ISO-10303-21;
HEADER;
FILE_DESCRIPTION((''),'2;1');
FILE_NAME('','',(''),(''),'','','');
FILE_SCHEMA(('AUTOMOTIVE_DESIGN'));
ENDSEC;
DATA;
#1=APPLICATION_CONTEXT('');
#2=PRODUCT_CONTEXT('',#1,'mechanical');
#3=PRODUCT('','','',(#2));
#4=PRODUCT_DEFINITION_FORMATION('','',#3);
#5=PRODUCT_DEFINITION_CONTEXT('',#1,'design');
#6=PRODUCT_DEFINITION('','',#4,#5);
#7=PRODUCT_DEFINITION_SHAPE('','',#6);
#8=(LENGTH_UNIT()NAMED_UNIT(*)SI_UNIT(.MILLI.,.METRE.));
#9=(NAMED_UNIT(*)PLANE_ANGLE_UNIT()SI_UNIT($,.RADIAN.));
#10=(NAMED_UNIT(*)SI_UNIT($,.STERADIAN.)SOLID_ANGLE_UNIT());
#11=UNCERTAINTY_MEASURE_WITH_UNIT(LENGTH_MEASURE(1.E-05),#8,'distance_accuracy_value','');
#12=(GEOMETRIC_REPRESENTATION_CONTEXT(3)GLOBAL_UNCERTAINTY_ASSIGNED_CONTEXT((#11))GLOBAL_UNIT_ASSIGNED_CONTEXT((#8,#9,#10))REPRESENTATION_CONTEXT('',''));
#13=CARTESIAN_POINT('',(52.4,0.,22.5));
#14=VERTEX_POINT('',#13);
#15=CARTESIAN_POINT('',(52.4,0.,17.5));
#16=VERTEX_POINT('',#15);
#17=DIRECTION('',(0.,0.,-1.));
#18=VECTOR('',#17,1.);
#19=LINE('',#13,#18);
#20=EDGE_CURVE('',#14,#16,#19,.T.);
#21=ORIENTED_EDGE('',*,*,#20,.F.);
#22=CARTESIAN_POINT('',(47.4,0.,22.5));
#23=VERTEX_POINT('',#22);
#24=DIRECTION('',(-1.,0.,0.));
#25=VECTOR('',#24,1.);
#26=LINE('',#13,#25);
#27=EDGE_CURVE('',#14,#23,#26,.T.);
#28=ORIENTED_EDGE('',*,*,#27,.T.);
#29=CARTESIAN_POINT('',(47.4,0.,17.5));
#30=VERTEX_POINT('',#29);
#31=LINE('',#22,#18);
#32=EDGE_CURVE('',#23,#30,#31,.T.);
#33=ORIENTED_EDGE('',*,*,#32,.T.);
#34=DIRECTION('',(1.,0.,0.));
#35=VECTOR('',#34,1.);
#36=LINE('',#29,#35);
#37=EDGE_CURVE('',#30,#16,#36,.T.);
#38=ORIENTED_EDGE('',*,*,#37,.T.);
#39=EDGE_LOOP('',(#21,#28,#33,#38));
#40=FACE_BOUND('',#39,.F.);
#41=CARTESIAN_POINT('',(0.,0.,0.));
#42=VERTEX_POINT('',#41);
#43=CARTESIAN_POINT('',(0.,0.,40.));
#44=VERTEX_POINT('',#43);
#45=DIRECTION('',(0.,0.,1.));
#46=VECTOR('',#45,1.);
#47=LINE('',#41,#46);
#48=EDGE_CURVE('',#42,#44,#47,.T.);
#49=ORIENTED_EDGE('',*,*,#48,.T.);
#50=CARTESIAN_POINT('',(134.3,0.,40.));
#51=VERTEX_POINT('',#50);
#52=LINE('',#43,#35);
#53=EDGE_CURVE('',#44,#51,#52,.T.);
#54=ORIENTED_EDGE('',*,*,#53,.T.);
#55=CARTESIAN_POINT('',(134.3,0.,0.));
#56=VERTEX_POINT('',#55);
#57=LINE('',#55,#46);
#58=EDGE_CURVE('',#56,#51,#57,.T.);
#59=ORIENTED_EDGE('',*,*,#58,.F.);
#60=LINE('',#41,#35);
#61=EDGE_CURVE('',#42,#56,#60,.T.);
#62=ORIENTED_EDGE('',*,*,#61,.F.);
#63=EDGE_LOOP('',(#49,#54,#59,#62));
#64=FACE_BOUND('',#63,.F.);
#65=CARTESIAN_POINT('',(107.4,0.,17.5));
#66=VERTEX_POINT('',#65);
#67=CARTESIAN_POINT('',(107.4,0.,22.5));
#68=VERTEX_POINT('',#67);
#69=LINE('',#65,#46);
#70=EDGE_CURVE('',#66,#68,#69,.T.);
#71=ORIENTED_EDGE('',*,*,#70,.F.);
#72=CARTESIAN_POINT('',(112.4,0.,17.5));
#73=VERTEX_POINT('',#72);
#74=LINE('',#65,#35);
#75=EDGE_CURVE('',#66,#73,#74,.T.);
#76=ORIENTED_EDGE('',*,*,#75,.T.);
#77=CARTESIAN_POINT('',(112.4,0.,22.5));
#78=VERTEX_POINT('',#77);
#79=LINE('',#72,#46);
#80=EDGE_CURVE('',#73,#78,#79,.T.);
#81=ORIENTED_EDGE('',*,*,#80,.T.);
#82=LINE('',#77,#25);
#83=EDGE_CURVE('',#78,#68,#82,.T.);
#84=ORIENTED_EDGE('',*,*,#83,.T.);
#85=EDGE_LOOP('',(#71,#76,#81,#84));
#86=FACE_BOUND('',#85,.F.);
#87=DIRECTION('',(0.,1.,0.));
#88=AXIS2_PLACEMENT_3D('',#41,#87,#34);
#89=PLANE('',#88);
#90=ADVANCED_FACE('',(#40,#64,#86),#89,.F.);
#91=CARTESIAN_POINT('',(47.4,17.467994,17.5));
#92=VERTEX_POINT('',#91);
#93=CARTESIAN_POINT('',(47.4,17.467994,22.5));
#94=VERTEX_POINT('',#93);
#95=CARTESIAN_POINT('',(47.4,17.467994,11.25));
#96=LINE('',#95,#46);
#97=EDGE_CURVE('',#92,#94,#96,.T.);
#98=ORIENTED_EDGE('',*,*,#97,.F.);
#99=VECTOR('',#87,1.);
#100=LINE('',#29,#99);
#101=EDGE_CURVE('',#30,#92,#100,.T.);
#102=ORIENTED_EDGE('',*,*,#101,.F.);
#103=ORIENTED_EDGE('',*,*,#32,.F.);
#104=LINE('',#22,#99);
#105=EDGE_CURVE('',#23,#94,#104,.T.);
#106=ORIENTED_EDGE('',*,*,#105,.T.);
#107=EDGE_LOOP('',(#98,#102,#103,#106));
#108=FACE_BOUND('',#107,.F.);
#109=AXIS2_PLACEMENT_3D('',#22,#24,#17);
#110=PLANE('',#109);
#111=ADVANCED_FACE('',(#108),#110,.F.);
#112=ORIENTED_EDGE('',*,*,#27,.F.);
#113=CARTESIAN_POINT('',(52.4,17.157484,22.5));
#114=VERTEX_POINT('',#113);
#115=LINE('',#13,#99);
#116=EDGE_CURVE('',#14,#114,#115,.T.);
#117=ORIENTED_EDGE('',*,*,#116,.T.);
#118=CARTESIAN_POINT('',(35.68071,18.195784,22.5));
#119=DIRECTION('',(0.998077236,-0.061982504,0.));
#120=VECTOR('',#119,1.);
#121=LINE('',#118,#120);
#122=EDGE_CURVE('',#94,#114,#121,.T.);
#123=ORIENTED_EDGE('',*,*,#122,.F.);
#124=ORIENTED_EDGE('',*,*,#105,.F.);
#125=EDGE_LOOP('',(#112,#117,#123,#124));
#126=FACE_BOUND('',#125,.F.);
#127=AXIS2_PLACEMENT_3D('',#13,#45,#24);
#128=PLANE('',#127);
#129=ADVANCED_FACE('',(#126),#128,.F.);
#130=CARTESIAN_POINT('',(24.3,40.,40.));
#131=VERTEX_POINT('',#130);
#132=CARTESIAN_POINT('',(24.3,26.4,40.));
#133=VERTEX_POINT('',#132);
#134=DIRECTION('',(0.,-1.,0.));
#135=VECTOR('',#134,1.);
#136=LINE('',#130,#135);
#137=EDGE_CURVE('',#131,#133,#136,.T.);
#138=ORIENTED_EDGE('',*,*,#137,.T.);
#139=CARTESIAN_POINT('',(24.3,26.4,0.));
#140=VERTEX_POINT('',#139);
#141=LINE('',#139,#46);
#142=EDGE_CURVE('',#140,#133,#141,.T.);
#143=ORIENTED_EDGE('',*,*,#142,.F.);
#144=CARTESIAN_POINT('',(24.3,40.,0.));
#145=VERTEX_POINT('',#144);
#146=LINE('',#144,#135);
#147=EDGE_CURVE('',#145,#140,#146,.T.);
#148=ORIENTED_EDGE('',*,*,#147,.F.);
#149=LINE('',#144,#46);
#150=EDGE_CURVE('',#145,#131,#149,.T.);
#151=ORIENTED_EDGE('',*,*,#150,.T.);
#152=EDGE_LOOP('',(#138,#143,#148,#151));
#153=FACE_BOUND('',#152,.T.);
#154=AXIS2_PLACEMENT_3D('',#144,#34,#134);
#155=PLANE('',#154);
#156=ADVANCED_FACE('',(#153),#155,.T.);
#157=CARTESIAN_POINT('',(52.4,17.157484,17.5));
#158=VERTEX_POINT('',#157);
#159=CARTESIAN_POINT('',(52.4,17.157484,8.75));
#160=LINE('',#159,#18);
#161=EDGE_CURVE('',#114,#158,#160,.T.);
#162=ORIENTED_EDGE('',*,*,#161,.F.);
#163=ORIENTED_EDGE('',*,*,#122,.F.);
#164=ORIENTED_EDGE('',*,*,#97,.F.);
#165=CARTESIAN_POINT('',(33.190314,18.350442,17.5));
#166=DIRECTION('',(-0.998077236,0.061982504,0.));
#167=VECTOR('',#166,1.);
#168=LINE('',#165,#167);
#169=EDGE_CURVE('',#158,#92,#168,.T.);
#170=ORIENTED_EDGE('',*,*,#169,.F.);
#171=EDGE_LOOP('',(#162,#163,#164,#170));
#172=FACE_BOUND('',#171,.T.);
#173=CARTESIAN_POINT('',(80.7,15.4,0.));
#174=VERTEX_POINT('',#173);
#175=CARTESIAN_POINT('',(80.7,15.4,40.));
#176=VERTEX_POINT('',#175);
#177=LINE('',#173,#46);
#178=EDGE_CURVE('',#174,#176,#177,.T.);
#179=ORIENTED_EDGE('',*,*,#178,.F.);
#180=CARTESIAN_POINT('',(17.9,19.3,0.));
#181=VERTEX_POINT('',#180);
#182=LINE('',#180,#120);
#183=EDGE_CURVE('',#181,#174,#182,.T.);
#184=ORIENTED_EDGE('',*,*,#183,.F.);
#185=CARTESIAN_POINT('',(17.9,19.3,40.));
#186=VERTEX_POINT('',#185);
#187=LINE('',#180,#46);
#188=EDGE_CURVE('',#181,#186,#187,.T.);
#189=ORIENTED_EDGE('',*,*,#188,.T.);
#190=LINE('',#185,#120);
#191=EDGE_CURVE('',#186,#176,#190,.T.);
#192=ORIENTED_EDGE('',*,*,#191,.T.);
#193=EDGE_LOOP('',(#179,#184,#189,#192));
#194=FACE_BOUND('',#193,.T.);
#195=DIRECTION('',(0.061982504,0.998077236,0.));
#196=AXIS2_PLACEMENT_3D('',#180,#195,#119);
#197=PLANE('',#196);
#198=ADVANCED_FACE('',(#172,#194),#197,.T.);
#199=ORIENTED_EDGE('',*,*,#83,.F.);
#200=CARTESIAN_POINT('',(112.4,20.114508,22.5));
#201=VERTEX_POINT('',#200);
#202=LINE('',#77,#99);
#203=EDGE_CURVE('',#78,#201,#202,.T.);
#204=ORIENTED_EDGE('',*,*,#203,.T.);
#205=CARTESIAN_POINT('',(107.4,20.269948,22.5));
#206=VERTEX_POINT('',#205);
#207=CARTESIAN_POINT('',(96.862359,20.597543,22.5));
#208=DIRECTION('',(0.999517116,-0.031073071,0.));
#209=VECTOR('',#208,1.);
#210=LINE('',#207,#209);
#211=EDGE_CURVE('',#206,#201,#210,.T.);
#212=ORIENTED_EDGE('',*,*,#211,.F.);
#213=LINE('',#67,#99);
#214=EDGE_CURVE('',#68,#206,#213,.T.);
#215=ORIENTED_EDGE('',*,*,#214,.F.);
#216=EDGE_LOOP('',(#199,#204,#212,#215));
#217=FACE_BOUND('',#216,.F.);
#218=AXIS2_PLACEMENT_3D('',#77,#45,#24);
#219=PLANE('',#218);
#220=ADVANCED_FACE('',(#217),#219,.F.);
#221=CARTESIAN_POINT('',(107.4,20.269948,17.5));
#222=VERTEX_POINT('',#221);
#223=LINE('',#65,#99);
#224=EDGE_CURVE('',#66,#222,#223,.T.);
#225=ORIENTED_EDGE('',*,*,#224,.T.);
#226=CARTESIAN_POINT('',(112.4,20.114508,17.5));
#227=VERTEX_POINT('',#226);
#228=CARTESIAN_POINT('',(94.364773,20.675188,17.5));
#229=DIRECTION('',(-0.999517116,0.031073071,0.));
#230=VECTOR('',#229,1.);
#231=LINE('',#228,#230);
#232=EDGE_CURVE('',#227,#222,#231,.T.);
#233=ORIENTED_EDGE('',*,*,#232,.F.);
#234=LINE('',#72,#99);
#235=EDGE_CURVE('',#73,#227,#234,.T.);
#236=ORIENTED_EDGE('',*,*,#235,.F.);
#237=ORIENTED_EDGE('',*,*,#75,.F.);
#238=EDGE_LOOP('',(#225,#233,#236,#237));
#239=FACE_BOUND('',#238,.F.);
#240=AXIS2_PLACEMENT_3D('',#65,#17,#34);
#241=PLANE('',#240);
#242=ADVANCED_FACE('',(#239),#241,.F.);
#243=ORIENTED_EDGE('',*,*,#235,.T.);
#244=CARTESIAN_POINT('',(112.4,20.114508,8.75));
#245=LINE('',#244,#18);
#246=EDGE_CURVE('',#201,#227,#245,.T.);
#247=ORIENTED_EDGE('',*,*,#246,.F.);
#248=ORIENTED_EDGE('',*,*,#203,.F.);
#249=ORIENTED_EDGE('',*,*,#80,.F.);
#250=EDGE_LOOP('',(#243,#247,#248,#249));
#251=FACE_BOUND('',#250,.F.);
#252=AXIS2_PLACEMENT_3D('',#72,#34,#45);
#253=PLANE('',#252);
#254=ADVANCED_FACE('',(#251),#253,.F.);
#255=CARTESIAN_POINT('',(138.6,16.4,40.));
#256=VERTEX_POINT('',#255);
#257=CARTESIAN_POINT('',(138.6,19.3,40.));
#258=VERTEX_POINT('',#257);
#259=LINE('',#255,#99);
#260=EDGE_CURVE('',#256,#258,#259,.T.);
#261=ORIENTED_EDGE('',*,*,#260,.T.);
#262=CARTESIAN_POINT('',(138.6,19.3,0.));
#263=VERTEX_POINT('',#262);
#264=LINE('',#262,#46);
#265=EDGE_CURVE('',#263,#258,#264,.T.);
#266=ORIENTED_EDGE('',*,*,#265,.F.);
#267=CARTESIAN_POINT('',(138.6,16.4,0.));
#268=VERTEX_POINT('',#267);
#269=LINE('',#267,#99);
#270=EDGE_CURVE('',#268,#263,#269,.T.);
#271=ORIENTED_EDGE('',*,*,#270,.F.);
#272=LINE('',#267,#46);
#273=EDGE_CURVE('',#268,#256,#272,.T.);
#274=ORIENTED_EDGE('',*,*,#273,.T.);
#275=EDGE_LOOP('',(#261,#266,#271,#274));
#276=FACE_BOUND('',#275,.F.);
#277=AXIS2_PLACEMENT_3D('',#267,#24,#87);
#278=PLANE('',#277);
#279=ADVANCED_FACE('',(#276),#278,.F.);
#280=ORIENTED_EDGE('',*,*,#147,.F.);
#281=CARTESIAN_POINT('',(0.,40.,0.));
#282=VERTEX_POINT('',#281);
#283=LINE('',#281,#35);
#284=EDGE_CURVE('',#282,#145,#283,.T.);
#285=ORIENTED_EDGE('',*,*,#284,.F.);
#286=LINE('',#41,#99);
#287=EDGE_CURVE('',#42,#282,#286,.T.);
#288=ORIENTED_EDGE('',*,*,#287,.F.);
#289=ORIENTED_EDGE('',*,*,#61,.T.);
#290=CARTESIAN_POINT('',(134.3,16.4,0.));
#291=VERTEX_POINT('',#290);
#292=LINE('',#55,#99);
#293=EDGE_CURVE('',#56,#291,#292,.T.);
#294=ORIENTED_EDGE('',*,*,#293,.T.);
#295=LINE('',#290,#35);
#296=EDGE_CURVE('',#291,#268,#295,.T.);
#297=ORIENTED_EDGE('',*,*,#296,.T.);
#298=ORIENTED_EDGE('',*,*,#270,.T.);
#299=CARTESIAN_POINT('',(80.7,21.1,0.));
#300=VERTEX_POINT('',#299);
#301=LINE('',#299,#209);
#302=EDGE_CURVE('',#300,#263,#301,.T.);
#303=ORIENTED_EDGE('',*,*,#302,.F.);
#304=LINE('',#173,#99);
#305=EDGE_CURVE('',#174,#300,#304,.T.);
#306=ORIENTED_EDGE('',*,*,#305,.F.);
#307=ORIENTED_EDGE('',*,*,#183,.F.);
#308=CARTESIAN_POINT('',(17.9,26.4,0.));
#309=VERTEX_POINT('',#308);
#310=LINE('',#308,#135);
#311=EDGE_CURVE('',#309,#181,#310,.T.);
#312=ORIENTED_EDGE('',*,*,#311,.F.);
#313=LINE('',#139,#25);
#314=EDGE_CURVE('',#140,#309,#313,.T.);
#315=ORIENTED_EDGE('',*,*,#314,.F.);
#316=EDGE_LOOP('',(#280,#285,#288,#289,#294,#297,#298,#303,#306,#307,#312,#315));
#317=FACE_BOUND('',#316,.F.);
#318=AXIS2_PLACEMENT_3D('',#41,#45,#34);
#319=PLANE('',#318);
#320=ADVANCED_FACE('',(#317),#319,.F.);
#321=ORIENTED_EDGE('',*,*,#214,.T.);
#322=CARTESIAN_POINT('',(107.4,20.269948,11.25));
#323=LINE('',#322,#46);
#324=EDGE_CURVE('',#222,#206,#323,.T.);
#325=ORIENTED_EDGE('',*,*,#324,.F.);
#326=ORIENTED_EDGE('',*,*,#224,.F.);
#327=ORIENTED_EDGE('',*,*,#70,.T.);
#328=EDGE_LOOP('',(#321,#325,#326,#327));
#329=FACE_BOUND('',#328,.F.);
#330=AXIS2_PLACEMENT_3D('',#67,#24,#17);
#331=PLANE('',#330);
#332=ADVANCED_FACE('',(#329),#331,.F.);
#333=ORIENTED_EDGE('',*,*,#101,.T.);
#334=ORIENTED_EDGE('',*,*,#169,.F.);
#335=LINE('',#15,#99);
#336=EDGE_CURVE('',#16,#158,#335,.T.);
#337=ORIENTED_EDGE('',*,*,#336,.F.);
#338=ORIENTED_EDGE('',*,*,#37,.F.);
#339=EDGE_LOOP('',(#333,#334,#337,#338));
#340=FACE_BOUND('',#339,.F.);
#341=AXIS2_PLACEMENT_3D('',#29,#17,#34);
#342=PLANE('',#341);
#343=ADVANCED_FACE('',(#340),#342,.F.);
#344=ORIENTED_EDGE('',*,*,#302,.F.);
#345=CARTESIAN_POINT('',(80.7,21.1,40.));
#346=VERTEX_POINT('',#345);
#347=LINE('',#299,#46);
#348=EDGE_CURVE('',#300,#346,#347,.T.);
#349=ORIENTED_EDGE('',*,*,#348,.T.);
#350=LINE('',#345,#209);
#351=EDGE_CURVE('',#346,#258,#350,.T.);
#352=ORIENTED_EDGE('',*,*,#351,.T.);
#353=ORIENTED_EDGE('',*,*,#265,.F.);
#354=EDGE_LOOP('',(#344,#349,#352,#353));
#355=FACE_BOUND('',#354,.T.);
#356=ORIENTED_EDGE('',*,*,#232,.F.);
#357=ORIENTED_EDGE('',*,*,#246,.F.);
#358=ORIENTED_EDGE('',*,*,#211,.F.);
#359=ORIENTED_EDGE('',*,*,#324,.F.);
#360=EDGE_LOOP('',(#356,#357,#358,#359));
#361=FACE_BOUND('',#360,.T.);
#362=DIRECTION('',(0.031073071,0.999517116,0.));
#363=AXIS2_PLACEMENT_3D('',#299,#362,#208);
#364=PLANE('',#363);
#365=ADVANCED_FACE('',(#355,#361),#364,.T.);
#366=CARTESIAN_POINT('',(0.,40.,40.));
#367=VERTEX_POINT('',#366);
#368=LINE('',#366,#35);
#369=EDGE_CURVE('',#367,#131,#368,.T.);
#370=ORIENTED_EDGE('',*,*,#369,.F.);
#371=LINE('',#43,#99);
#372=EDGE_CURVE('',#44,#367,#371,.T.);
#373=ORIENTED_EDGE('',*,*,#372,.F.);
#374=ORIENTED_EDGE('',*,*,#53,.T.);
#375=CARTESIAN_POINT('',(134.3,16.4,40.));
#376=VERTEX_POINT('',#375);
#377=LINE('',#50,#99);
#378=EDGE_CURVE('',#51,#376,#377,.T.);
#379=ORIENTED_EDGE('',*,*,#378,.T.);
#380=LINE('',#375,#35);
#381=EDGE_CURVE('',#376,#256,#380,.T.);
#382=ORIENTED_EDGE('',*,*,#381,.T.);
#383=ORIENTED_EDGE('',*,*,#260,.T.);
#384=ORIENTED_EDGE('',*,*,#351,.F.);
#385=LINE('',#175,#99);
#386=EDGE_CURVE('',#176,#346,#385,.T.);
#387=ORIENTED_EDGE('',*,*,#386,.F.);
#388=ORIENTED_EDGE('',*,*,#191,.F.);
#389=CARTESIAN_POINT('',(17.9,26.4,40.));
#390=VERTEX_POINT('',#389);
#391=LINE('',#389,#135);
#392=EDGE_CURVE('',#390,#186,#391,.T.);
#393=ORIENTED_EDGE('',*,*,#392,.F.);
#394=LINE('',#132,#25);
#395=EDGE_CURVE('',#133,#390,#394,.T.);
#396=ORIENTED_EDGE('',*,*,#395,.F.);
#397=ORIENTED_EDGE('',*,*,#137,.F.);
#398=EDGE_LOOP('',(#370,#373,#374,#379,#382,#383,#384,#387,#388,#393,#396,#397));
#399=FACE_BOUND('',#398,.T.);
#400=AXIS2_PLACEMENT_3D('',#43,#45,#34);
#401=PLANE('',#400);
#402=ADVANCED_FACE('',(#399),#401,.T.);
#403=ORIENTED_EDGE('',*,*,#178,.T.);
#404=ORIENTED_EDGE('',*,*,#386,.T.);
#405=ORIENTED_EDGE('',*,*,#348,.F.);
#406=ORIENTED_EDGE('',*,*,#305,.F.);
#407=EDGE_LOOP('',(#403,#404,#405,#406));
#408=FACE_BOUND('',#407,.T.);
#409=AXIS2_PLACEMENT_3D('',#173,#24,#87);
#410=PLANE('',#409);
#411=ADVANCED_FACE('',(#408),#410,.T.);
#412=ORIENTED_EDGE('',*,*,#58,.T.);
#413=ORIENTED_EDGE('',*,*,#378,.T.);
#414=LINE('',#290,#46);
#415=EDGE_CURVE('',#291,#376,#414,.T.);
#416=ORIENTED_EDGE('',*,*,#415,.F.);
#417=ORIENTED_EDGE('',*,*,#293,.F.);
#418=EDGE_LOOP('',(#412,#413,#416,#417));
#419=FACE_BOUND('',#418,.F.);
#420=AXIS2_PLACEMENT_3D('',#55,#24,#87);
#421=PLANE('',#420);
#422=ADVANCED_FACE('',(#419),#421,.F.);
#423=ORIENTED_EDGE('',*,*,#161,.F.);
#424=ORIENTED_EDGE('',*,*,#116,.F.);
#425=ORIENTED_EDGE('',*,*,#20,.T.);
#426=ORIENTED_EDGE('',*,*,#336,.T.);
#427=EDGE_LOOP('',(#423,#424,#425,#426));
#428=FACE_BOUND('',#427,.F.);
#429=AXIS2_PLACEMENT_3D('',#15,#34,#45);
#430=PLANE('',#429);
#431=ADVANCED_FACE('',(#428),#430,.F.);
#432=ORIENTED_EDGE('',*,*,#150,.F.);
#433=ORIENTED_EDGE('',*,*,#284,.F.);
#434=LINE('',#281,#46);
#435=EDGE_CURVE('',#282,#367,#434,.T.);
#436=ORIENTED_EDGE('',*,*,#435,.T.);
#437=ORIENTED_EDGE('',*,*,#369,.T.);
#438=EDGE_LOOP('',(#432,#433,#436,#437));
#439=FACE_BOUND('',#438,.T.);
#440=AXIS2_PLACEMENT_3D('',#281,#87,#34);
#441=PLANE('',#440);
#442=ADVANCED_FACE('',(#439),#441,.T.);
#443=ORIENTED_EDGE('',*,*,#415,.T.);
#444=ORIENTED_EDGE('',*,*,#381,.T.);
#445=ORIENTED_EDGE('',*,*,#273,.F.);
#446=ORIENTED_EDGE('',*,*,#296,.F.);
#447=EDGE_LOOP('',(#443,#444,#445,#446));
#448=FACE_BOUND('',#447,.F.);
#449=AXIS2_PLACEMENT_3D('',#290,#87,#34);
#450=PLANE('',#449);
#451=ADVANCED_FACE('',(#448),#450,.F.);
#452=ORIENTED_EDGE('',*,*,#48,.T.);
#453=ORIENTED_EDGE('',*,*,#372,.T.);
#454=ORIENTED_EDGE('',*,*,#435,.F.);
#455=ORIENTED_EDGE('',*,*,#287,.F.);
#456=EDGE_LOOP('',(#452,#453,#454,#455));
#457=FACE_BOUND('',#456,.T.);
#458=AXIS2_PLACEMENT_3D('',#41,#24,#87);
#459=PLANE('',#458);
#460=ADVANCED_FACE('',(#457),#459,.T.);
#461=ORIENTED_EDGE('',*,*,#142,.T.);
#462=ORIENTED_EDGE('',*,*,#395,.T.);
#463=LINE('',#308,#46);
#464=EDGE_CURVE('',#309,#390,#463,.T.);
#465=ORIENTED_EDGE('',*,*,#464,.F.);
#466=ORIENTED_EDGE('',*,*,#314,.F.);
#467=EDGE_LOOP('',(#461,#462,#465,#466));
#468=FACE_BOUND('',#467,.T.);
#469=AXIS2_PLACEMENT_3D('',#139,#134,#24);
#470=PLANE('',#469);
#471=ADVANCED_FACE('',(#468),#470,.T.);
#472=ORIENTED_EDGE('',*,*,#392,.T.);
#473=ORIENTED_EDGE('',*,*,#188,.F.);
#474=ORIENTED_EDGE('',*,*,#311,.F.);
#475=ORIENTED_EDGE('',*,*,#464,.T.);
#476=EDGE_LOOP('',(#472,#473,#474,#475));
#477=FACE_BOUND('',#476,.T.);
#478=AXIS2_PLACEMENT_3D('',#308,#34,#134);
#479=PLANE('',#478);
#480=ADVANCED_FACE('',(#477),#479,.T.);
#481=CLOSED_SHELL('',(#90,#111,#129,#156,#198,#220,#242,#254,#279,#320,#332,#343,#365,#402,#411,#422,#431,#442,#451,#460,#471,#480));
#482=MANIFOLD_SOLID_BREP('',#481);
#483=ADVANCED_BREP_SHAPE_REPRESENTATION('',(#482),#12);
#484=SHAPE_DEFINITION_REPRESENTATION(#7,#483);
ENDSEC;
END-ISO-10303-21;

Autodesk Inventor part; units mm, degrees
ref_plane "YZ Plane" through (0, 0, 0) normal (1, 0, 0) x (0, 1, 0)
ref_plane "XZ Plane" through (0, 0, 0) normal (0, 1, 0) x (-1, 0, 0)
ref_plane "XY Plane" through (0, 0, 0) normal (0, 0, 1) x (1, 0, 0)
sketch "Boceto1" plane through (0, 0, 0) normal (0, 0, 1) x (1, 0, 0)
  line L0 (0, 0) -> (134.3, 0)
  line L1 (0, 0) -> (0, 40)
  line L2 (0, 40) -> (24.3, 40)
  line L3 (24.3, 40) -> (24.3, 26.4)
  line L4 (24.3, 26.4) -> (17.9, 26.4)
  line L5 (17.9, 26.4) -> (17.9, 19.3)
  line L6 (17.9, 19.3) -> (138.6, 19.3) construction
  line L7 (134.3, 0) -> (134.3, 16.4) construction
  line L8 (134.3, 0) -> (134.3, 16.4)
  line L9 (134.3, 16.4) -> (138.6, 16.4)
  line L10 (138.6, 16.4) -> (138.6, 19.3)
  line L11 (17.9, 19.3) -> (80.7, 19.3) construction
  line L12 (80.7, 19.3) -> (80.7, 21.1) construction
  line L13 (80.7, 21.1) -> (80.7, 15.4) construction
  line L14 (17.9, 19.3) -> (80.7, 15.4)
  line L15 (80.7, 15.4) -> (80.7, 21.1)
  line L16 (80.7, 21.1) -> (138.6, 19.3)
  dimension "d0" = 134.3
  dimension "d1" = 40
  dimension "d2" = 24.3
  dimension "d3" = 13.6
  dimension "d4" = 6.4
  dimension "d5" = 7.1
  dimension "d6" = 120.7
  dimension "d7" = 16.4
  dimension "d9" = 4.3
  dimension "d10" = 62.8
  dimension "d11" = 1.8
  dimension "d12" = 5.7
extrude "Extrusión1" add sketch "Boceto1" along normal blind 40
sketch "Boceto2" plane through (0, 0, 0) normal (0, -1, 0) x (1, 0, 0)
  line L0 (0, 0) -> (79.9, 0)
  line L1 (24.3, 0) -> (0, 0) projected
  line L2 (79.9, 0) -> (79.9, 20)
  line L3 (0, 0) -> (134.3, 0) projected
  line L4 (79.9, 0) -> (99.9, 0) construction
  line L5 (79.9, 20) -> (49.9, 20)
  line L6 (80.7, 0) -> (80.7, 40) projected
  line L7 (79.9, 20) -> (109.9, 20) construction
  line L8 (79.9, 20) -> (109.9, 20)
  line L9 (79.9, 20) -> (109.9, 20) construction
  line L10 (47.4, 17.5) -> (52.4, 17.5)
  line L11 (52.4, 17.5) -> (52.4, 22.5)
  line L12 (52.4, 22.5) -> (47.4, 22.5)
  line L13 (47.4, 22.5) -> (47.4, 17.5)
  line L14 (47.4, 17.5) -> (52.4, 22.5) construction
  line L15 (52.4, 17.5) -> (47.4, 22.5) construction
  line L16 (107.4, 17.5) -> (112.4, 17.5)
  line L17 (112.4, 17.5) -> (112.4, 22.5)
  line L18 (112.4, 22.5) -> (107.4, 22.5)
  line L19 (107.4, 22.5) -> (107.4, 17.5)
  line L20 (107.4, 17.5) -> (112.4, 22.5) construction
  line L21 (112.4, 17.5) -> (107.4, 22.5) construction
  dimension "d15" = 79.9
  dimension "d16" = 20
  dimension "d17" = 90
  dimension "d18" = 30
  dimension "d19" = 180
  dimension "d20" = 30
  dimension "d21" = 0
  dimension "d22" = 5
  dimension "d23" = 5
  dimension "d24" = 5
  dimension "d25" = 5
extrude "Extrusión2" cut sketch "Boceto2" against normal blind 40 contours L11 L10 L13 L12 | L19 L18 L17 L16
equation "\"d15\" = Largo_segundo_boceto"
equation "\"d22\" = Espesor_corte"
equation "\"d23\" = Espesor_corte"
equation "\"d24\" = Espesor_corte"
equation "\"d25\" = Espesor_corte"
equation "\"Correccion_rebaje\" = 5"
equation "\"Espesor_corte\" = 5"
equation "\"Espesor_detalle\" = 2.5"
equation "\"Largo_segundo_boceto\" = 79.9"
properties part number "Macho_parametrizado"
